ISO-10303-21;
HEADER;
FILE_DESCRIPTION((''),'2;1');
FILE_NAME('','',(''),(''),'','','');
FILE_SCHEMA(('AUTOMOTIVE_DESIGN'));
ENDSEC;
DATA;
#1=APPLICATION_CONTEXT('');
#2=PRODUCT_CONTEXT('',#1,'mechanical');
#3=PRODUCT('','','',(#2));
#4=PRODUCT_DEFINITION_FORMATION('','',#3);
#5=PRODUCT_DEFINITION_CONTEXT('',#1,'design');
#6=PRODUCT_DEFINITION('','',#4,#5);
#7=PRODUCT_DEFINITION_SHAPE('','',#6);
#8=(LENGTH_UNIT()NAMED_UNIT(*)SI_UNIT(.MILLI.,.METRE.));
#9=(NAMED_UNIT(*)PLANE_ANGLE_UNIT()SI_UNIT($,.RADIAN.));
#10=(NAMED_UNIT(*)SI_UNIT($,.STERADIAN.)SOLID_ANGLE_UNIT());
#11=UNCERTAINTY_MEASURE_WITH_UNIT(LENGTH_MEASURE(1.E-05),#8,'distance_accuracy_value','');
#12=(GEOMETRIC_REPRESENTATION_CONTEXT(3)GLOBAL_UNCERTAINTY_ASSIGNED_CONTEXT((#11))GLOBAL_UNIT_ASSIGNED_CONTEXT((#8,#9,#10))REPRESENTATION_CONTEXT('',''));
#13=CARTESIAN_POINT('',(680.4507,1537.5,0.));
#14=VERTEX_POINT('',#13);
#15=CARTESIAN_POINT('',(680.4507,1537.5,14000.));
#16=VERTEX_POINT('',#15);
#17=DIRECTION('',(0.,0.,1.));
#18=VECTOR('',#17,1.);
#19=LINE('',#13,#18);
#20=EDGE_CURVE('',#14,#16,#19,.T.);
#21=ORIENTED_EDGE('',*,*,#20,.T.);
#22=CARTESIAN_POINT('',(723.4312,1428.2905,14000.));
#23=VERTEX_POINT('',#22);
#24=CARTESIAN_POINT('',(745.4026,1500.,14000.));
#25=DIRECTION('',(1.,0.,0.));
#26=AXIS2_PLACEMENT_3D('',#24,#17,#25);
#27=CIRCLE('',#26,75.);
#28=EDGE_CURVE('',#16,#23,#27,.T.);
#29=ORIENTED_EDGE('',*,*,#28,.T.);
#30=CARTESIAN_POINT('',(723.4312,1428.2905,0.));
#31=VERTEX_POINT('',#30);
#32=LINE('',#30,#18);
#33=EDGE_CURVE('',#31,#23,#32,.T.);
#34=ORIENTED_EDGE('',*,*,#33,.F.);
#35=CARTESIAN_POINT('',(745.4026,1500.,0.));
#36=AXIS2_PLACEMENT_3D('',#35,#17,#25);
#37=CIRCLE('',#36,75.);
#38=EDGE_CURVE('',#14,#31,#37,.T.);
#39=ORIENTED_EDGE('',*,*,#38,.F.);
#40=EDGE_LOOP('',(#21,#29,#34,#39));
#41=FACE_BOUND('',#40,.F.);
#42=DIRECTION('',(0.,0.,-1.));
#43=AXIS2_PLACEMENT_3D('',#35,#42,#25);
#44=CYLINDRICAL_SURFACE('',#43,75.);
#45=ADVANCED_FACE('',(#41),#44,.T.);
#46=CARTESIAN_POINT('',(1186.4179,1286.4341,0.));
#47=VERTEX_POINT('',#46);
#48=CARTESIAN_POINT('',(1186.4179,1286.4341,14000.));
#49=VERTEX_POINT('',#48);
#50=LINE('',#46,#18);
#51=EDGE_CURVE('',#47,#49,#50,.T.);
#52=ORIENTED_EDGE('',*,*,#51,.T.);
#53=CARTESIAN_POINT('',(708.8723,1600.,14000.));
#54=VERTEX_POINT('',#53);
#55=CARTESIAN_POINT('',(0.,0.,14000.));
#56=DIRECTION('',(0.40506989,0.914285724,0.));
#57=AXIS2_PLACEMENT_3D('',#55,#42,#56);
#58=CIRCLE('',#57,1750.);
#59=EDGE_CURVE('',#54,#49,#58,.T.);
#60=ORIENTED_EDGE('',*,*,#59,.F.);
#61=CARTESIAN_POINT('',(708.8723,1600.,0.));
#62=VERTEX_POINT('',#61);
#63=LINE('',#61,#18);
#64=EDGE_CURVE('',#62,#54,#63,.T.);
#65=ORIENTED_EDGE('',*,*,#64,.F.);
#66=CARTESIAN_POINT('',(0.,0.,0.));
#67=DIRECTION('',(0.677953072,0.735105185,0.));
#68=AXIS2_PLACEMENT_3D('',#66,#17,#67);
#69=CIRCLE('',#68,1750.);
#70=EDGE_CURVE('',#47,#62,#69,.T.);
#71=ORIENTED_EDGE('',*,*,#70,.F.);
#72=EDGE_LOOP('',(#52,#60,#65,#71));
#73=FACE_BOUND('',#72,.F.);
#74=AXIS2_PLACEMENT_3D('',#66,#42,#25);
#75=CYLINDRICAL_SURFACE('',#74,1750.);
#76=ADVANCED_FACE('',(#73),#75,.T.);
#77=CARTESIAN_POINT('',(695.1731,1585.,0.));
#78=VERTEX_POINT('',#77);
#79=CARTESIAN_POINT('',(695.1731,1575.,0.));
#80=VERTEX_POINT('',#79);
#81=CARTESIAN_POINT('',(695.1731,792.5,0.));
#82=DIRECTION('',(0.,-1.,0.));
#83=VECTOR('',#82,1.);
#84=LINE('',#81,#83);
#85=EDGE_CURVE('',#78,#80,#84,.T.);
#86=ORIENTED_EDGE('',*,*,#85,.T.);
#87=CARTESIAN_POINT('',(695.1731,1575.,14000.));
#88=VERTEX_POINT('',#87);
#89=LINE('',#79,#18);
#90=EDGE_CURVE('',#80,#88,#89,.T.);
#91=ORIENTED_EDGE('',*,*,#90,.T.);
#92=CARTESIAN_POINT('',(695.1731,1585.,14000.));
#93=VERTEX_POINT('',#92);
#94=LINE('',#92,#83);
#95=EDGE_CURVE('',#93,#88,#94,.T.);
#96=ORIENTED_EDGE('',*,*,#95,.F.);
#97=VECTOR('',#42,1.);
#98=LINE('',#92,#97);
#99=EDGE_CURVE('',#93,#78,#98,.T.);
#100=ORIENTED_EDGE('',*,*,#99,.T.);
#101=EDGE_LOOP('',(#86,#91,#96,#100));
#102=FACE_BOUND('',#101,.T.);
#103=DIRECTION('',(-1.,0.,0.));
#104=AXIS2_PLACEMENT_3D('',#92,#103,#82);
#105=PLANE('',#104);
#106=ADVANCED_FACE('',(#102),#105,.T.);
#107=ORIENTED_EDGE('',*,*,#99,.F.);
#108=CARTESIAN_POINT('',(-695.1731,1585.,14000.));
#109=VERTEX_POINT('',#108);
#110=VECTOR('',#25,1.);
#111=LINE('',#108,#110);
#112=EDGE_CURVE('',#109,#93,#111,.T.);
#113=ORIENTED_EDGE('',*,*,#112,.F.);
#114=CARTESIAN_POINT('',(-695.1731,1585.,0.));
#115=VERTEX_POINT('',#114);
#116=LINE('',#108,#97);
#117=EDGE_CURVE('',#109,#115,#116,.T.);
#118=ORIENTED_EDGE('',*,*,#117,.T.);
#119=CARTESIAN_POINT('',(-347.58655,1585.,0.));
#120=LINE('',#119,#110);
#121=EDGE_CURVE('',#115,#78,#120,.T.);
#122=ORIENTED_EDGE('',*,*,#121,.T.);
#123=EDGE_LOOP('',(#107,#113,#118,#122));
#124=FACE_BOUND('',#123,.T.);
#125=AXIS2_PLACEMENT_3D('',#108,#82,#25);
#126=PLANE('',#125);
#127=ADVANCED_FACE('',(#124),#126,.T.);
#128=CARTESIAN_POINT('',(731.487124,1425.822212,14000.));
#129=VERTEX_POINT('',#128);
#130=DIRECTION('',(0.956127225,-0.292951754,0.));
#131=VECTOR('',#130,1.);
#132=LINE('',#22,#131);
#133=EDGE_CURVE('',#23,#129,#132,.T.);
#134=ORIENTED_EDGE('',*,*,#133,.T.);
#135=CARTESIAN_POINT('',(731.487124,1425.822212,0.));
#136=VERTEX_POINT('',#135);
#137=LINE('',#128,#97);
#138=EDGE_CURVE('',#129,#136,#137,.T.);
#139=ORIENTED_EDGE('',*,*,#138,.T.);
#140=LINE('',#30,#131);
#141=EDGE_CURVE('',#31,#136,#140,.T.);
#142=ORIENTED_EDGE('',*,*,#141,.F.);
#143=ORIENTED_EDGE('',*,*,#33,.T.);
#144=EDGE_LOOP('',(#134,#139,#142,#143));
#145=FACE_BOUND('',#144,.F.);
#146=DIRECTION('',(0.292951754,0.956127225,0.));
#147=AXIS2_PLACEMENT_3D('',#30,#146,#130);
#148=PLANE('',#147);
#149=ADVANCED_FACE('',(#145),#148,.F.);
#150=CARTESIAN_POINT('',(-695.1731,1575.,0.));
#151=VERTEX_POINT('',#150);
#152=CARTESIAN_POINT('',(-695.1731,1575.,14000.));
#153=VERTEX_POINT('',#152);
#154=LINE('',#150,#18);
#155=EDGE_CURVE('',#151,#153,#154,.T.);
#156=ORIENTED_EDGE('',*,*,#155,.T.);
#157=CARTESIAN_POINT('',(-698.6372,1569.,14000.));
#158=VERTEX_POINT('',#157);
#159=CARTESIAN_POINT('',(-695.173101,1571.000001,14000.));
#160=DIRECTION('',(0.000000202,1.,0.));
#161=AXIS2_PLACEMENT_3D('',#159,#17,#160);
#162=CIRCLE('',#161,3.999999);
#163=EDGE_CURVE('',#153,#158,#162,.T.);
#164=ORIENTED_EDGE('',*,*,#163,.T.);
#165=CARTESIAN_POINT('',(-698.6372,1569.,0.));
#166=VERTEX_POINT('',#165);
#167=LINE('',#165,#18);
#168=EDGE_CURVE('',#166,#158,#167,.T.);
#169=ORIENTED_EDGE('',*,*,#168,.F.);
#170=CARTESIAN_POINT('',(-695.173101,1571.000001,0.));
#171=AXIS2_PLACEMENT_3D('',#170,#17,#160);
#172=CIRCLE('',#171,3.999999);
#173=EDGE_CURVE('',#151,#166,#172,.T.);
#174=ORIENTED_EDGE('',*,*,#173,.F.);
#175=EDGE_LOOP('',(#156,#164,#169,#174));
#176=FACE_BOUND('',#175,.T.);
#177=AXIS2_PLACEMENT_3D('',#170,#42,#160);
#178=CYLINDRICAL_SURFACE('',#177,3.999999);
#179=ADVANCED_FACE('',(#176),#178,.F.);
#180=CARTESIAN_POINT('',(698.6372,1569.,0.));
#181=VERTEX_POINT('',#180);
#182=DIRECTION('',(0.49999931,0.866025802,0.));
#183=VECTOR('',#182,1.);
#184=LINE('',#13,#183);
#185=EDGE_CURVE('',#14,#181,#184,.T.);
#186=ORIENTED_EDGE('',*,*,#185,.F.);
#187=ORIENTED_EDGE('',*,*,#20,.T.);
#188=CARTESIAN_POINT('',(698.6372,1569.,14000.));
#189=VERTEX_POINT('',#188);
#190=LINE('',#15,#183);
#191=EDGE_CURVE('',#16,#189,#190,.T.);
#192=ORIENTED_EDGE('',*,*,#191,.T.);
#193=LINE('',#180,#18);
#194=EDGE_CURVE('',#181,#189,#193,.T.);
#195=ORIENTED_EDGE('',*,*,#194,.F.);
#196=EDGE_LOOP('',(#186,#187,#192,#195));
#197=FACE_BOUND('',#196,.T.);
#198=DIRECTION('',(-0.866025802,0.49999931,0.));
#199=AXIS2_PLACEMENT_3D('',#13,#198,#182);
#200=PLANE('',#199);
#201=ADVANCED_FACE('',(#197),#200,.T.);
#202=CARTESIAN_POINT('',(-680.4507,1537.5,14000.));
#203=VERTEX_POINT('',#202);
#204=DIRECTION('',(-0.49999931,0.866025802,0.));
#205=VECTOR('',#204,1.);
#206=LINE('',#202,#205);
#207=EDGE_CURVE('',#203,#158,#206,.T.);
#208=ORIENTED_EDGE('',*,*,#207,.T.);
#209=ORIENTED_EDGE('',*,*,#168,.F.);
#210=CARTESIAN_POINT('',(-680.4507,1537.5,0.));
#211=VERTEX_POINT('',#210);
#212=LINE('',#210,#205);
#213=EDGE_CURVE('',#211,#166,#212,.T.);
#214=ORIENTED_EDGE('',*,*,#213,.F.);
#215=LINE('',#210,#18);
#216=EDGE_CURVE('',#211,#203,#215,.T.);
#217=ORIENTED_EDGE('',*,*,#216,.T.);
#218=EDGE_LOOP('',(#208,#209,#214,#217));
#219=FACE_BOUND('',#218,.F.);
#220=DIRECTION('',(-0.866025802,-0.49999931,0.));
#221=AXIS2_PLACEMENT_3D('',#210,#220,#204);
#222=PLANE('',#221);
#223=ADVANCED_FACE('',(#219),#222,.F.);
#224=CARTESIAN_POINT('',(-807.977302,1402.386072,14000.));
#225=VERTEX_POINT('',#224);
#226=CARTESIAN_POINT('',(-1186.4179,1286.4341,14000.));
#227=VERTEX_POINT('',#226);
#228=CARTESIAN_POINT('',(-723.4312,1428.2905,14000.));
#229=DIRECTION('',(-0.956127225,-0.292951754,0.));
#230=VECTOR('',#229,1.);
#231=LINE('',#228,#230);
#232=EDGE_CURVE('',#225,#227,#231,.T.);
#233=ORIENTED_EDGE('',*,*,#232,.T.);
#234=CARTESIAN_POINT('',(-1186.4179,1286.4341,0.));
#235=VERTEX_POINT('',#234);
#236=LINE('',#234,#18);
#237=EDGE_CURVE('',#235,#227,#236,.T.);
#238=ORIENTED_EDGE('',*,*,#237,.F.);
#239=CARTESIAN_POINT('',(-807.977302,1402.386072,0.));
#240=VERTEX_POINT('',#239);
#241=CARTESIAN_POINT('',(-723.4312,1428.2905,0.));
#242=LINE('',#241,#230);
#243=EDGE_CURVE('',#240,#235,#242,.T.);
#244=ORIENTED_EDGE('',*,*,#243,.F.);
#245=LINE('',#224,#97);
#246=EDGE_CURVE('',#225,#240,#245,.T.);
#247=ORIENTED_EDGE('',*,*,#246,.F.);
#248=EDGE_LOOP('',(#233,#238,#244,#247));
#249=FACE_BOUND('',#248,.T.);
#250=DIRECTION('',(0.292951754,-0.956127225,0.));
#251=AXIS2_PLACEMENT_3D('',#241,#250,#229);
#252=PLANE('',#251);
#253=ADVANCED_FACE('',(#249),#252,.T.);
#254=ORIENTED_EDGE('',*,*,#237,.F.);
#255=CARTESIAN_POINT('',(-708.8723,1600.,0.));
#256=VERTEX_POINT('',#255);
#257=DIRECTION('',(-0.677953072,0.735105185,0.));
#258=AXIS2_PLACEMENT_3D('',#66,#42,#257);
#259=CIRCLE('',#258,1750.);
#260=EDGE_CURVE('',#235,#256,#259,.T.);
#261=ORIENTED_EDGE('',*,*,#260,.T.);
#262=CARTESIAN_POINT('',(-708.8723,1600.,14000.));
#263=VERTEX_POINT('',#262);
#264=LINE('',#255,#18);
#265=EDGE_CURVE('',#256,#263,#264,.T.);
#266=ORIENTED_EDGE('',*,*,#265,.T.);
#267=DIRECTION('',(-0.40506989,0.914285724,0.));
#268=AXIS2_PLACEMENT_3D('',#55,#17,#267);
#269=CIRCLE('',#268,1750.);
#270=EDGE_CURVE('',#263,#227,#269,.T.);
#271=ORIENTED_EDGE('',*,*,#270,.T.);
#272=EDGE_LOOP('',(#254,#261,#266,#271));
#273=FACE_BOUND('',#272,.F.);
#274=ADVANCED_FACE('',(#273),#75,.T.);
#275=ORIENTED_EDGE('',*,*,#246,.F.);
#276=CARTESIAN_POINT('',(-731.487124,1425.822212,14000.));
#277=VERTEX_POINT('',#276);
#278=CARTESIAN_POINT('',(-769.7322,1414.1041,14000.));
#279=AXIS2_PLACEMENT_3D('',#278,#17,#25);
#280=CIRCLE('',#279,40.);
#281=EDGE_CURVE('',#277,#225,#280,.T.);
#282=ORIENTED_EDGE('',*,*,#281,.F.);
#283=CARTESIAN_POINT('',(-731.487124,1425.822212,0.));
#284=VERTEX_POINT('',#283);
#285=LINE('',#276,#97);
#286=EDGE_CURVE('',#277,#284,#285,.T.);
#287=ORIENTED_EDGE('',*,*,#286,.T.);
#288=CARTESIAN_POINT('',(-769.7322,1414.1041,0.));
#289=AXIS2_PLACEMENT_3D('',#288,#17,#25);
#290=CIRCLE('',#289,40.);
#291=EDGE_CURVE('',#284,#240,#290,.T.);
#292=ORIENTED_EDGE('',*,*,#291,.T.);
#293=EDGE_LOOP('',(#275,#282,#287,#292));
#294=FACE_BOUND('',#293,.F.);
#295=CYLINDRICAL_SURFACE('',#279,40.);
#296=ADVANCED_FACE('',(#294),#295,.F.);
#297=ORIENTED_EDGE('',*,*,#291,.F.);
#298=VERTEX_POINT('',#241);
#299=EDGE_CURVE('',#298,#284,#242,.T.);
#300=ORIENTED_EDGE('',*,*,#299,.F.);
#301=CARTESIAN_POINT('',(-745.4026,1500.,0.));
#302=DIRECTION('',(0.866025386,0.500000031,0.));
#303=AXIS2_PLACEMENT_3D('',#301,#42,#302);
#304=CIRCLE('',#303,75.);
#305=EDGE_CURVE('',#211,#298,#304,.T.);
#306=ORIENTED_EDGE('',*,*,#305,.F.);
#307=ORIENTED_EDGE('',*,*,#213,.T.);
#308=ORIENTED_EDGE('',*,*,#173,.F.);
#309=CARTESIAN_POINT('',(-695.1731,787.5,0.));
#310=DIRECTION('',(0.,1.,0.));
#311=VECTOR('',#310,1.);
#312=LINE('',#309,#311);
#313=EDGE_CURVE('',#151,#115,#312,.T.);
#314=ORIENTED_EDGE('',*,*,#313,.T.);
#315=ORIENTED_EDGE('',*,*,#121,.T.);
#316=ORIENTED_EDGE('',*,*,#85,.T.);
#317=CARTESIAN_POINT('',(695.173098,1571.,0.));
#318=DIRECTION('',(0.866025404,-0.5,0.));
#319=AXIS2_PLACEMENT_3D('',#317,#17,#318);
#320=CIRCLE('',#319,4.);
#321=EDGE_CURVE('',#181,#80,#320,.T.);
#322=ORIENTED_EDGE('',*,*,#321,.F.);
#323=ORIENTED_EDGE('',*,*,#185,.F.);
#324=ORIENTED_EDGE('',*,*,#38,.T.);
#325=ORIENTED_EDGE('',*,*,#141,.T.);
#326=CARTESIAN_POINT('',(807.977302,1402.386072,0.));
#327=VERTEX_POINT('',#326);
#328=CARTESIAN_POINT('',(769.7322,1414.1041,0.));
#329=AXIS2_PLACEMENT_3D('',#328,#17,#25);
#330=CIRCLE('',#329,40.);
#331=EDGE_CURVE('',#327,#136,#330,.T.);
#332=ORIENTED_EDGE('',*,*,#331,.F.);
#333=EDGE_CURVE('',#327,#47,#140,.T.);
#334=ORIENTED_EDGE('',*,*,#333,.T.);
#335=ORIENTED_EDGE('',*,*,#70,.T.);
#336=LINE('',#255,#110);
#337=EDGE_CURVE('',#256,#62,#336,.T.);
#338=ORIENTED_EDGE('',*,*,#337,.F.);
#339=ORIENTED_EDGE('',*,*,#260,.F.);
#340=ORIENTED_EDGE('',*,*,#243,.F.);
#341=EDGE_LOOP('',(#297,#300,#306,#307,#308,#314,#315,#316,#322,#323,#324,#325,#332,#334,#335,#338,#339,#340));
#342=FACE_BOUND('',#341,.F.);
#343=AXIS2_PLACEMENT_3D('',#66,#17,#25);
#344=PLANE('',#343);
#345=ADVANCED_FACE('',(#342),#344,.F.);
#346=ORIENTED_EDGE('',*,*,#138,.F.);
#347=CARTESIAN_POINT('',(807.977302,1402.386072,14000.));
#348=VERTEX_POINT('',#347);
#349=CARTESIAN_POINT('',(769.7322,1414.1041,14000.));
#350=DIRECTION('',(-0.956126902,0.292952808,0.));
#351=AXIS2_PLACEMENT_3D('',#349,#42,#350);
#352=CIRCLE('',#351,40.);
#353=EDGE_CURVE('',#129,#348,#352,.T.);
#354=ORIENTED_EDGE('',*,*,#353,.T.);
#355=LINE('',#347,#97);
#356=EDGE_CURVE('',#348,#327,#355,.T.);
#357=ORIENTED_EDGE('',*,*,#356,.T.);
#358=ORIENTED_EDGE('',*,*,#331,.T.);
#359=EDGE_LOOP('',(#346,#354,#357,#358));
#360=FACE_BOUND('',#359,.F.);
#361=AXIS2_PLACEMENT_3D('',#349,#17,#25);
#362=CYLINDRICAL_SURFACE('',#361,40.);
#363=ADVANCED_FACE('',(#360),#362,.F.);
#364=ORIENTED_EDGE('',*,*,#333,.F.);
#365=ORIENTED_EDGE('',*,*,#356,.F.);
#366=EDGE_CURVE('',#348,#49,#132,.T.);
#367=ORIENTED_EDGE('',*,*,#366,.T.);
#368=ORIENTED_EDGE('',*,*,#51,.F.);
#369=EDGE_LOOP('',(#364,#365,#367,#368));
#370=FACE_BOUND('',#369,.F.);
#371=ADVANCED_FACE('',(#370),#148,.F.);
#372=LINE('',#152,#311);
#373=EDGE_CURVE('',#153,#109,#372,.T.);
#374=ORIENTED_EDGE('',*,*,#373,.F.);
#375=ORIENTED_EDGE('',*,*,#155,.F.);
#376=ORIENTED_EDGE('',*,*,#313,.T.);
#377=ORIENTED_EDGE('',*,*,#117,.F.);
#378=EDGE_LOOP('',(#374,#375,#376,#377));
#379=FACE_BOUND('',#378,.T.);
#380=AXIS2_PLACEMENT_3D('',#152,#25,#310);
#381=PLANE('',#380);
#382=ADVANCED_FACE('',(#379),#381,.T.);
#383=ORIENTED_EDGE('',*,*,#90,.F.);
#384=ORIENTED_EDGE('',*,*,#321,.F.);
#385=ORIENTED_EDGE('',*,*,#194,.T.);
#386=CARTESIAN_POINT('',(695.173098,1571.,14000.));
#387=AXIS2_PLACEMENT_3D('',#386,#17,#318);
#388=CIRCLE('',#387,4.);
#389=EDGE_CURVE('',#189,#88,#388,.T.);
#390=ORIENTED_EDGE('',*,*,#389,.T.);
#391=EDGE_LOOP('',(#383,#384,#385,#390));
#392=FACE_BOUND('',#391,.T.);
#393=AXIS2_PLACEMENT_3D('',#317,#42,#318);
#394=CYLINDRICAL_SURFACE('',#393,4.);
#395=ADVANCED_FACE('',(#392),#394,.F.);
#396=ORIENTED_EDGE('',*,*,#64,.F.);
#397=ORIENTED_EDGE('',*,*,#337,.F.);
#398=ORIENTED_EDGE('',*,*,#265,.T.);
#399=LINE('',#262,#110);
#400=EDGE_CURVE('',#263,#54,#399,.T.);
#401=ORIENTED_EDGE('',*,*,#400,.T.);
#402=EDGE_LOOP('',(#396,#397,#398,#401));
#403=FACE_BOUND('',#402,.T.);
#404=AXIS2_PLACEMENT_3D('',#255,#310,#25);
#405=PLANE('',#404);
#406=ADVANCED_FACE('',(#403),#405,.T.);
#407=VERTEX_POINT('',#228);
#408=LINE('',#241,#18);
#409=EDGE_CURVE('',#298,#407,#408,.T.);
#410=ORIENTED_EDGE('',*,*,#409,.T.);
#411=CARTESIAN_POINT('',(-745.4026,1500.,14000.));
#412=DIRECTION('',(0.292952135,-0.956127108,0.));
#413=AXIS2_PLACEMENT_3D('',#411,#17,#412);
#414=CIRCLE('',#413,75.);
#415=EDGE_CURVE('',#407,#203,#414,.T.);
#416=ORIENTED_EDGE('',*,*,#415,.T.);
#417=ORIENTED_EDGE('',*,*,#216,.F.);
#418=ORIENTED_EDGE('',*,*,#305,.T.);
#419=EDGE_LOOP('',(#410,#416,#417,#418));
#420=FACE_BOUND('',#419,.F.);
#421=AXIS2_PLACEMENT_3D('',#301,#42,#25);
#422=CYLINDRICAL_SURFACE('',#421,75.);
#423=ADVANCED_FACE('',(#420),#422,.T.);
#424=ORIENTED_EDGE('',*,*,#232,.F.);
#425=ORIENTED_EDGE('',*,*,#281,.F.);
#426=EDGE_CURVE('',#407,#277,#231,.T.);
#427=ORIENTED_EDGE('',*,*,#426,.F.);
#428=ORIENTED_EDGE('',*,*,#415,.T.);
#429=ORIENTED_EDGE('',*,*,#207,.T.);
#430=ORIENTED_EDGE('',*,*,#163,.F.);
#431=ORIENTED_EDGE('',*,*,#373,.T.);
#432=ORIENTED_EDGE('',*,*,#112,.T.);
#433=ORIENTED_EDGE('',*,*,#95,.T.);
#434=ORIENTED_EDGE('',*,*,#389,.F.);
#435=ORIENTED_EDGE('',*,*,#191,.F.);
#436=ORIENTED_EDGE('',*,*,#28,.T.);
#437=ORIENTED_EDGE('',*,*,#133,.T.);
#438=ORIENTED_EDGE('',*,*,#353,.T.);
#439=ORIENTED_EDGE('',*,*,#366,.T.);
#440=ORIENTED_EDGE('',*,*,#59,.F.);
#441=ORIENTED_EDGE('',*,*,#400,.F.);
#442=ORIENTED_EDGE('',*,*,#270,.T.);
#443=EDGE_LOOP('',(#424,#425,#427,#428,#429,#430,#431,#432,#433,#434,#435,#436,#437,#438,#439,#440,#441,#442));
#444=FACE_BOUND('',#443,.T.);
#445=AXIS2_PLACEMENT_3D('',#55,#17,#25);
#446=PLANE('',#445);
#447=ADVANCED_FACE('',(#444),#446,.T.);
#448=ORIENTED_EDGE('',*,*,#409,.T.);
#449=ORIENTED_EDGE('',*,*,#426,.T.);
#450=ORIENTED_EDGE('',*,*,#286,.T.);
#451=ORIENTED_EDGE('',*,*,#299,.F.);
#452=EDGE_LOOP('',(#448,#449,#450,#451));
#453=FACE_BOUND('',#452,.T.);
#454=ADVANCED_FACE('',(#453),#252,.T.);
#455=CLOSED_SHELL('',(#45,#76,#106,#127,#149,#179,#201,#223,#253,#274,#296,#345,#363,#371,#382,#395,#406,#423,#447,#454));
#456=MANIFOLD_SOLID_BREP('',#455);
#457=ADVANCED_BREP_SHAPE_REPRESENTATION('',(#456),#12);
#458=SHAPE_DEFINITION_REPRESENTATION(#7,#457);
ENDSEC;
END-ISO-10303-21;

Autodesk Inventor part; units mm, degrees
ref_plane "YZ Plane" through (0, 0, 0) normal (1, 0, 0) x (0, 1, 0)
ref_plane "XZ Plane" through (0, 0, 0) normal (0, 1, 0) x (-1, 0, 0)
ref_plane "XY Plane" through (0, 0, 0) normal (0, 0, 1) x (1, 0, 0)
sketch "Sketch1" plane through (0, 0, 0) normal (0, 0, 1) x (1, 0, 0)
  circle A0 centre (0, 0) radius 1750
  line L0 (-708.8723, 1600) -> (708.8723, 1600)
  line L1 (-695.1731, 1575) -> (695.1731, 1575)
  circle A1 centre (-745.4026, 1500) radius 75
  circle A2 centre (745.4026, 1500) radius 75
  line L2 (-723.4312, 1428.2905) -> (-1186.4179, 1286.4341)
  line L3 (723.4312, 1428.2905) -> (1186.4179, 1286.4341)
  line L4 (680.4507, 1537.5) -> (698.6372, 1569)
  line L5 (-680.4507, 1537.5) -> (-698.6372, 1569)
  arc A3 (-695.1731, 1575) -> (-698.6372, 1569) centre (-695.1731, 1571) ccw
  arc A4 (698.6372, 1569) -> (695.1731, 1575) centre (695.1731, 1571) ccw
  point P0 (-762.8073, 1575)
  point P1 (762.8073, 1575)
  dimension "d0" = 3500
  dimension "d1" = 1600
  dimension "d2" = 25
  dimension "d3" = 150
  dimension "d4" = 60
  dimension "d5" = 4
extrude "Extrusion1" add sketch "Sketch1" along normal blind 14000 contours L3 A2 A0 | A0 A1 L2 | A2 L4 A4 L1 A3 L5 A1 A0 L0 | A2 | A1
sketch "Sketch2" plane through (0, 0, 14000) normal (0, 0, 1) x (1, 0, 0)
  line L0 (695.1731, 1575) -> (-695.1731, 1575)
  line L1 (-695.1731, 1575) -> (-695.1731, 1585)
  line L2 (-695.1731, 1585) -> (695.1731, 1585)
  line L3 (695.1731, 1585) -> (695.1731, 1575)
  point P0 (0, 0)
  dimension "d8" = 10
extrude "Extrusion2" cut sketch "Sketch2" against normal through all
sketch "Sketch3" plane through (0, 0, 14000) normal (0, 0, 1) x (1, 0, 0)
  circle A0 centre (-769.7322, 1414.1041) radius 40
  circle A1 centre (769.7322, 1414.1041) radius 40
  line L0 (-1186.4179, 1286.4341) -> (-723.4312, 1428.2905) projected
  line L1 (723.4312, 1428.2905) -> (1186.4179, 1286.4341) projected
  point P0 (0, 0)
  point P1 (731.4871, 1425.8222)
  point P2 (807.9773, 1402.386)
  point P3 (-807.9773, 1402.386)
  point P4 (-731.4871, 1425.8222)
  dimension "d11" = 80
extrude "Extrusion3" cut sketch "Sketch3" against normal through all contours L0 A0 | A1 L1 picked at (-778.7621, 1440.6353) picked at (777.2707, 1435.424)
properties part number "CeilingPanel"
